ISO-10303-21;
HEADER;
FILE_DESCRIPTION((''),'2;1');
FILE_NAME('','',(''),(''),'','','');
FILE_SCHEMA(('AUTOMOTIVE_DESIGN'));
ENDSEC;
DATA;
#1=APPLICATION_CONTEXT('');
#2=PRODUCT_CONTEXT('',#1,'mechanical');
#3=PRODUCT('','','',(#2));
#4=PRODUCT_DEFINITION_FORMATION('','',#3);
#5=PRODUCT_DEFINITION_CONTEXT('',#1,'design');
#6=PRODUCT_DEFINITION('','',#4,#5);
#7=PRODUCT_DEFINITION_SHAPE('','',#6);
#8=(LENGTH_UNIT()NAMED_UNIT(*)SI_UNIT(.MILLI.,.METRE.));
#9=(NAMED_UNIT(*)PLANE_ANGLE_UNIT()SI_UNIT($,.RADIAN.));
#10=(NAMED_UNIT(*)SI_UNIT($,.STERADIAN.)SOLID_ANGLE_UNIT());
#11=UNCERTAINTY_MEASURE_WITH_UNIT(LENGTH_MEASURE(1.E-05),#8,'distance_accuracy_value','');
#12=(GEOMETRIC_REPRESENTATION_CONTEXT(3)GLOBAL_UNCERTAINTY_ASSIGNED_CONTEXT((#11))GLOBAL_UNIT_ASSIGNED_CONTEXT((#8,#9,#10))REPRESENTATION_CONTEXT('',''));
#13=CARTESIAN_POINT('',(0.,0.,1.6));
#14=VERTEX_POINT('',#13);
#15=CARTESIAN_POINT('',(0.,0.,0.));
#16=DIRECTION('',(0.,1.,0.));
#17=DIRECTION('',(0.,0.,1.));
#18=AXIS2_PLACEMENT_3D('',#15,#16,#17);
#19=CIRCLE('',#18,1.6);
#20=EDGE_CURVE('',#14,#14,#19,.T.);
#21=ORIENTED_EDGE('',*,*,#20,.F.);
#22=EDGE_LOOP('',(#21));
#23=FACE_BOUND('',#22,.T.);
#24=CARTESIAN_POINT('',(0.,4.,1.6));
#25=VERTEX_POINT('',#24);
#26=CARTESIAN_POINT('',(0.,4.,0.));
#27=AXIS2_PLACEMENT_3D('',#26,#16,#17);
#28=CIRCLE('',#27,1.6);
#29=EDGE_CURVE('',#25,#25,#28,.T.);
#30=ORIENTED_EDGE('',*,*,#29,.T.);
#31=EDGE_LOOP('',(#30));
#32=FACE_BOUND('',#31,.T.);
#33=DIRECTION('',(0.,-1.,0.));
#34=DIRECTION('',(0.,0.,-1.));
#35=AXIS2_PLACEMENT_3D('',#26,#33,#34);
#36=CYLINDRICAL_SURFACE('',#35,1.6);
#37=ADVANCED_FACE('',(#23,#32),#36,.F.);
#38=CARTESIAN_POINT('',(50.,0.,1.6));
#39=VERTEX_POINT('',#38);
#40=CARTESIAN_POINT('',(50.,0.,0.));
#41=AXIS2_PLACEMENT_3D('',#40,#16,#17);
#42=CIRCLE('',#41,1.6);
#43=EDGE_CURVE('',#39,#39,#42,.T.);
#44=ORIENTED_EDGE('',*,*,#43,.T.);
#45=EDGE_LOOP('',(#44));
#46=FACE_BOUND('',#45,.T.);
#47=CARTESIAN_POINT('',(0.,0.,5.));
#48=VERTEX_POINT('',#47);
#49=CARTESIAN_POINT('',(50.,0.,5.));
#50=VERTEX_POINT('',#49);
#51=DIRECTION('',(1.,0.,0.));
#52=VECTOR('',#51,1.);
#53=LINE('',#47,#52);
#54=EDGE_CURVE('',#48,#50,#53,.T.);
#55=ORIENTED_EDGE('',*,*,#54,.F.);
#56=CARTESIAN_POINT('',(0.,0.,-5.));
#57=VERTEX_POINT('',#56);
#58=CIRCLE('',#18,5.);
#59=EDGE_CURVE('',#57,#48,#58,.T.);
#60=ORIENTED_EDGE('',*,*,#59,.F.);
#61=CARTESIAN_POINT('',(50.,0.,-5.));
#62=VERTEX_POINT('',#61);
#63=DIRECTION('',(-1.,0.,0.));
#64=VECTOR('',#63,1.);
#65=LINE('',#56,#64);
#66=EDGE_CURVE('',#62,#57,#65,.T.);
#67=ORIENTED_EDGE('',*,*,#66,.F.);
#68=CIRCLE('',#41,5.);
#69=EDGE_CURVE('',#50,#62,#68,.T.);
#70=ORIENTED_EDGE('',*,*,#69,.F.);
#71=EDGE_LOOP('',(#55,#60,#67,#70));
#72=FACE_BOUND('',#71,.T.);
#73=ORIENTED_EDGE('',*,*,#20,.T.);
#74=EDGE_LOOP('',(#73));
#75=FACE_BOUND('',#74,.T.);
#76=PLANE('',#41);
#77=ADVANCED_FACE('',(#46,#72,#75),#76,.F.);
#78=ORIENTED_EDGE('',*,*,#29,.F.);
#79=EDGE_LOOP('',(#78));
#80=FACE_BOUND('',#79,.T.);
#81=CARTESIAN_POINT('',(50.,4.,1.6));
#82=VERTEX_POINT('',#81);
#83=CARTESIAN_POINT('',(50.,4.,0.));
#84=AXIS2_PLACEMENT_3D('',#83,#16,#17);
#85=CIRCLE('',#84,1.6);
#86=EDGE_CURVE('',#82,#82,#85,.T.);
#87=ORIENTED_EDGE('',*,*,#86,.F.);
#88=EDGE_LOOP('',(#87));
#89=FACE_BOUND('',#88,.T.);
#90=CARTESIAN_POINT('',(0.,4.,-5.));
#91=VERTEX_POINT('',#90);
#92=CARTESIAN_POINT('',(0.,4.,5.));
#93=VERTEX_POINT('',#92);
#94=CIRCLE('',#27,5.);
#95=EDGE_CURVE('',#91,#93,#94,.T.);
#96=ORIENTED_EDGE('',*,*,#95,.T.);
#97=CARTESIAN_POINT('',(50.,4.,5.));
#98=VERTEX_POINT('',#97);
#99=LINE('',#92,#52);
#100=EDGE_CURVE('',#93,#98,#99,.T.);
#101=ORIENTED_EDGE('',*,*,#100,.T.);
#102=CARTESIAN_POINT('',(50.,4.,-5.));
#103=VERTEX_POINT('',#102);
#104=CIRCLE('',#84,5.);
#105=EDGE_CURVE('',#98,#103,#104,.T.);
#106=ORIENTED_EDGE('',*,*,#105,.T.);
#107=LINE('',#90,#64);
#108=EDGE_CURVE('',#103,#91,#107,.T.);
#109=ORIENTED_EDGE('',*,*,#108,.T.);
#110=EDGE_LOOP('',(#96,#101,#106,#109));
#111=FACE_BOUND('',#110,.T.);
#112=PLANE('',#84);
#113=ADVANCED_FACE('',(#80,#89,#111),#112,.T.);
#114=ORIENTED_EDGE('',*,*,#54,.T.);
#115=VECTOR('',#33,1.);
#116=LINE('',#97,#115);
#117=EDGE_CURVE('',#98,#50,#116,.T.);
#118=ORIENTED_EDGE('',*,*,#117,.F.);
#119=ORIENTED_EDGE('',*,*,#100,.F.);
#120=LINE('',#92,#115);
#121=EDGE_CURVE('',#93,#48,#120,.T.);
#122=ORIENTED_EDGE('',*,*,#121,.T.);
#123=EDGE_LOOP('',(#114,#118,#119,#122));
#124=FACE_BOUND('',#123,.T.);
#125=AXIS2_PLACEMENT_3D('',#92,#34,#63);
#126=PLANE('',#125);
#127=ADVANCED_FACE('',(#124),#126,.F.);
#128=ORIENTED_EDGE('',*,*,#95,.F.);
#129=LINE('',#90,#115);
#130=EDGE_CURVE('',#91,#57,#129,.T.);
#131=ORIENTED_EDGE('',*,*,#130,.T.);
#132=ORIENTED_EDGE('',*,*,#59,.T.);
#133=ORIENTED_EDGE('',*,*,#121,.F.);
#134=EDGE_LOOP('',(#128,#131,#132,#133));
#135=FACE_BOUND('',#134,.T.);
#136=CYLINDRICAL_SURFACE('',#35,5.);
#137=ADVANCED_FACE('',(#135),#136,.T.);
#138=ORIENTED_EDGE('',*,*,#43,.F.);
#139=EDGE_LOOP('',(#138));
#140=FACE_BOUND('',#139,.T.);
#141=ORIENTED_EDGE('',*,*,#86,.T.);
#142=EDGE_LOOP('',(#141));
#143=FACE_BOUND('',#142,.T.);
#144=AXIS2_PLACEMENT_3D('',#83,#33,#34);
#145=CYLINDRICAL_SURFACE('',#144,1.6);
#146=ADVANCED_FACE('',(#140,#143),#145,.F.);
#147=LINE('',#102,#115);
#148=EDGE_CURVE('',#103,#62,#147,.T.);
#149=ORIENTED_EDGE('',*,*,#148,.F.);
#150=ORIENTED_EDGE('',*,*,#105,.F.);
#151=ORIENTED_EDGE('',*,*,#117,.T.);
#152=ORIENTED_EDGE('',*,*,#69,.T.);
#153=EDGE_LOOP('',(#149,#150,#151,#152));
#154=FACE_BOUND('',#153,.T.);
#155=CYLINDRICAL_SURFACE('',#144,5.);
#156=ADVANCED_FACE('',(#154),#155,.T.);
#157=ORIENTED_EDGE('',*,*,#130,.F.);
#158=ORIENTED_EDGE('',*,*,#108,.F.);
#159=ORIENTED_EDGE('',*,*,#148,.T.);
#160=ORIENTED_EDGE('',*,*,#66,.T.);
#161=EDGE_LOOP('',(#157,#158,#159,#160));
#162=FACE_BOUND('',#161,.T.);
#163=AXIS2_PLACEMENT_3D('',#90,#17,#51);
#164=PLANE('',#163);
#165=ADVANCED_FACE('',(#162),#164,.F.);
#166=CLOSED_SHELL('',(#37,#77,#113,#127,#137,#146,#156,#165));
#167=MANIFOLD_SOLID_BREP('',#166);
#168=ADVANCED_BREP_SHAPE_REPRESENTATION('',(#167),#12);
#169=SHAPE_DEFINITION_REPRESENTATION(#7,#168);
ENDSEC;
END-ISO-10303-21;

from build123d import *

# Parameters (mm, degrees)
SKETCH_1_R      = 1.6
EXTRUDE_1_DEPTH = 4


with BuildPart() as part:
    # ｽｹｯﾁ1 → ﾎﾞｽ - 押し出し1 (new body)
    with BuildSketch(Plane(origin=(0, 0, 0), x_dir=(1, 0, 0), z_dir=(0, 1, 0))):
        with BuildLine():
            Line((0, -5), (50, -5))
            ThreePointArc((50, -5), (55, 0), (50, 5))
            Line((50, 5), (0, 5))
            ThreePointArc((0, 5), (-5, 0), (0, -5))
        make_face()
        with Locations(Location((0, 0, 0), (0, 0, 270))):
            Circle(SKETCH_1_R, mode=Mode.SUBTRACT)
        with Locations(Location((50, 0, 0), (0, 0, 270))):
            Circle(SKETCH_1_R, mode=Mode.SUBTRACT)
    extrude(amount=EXTRUDE_1_DEPTH)


solid = part.part
